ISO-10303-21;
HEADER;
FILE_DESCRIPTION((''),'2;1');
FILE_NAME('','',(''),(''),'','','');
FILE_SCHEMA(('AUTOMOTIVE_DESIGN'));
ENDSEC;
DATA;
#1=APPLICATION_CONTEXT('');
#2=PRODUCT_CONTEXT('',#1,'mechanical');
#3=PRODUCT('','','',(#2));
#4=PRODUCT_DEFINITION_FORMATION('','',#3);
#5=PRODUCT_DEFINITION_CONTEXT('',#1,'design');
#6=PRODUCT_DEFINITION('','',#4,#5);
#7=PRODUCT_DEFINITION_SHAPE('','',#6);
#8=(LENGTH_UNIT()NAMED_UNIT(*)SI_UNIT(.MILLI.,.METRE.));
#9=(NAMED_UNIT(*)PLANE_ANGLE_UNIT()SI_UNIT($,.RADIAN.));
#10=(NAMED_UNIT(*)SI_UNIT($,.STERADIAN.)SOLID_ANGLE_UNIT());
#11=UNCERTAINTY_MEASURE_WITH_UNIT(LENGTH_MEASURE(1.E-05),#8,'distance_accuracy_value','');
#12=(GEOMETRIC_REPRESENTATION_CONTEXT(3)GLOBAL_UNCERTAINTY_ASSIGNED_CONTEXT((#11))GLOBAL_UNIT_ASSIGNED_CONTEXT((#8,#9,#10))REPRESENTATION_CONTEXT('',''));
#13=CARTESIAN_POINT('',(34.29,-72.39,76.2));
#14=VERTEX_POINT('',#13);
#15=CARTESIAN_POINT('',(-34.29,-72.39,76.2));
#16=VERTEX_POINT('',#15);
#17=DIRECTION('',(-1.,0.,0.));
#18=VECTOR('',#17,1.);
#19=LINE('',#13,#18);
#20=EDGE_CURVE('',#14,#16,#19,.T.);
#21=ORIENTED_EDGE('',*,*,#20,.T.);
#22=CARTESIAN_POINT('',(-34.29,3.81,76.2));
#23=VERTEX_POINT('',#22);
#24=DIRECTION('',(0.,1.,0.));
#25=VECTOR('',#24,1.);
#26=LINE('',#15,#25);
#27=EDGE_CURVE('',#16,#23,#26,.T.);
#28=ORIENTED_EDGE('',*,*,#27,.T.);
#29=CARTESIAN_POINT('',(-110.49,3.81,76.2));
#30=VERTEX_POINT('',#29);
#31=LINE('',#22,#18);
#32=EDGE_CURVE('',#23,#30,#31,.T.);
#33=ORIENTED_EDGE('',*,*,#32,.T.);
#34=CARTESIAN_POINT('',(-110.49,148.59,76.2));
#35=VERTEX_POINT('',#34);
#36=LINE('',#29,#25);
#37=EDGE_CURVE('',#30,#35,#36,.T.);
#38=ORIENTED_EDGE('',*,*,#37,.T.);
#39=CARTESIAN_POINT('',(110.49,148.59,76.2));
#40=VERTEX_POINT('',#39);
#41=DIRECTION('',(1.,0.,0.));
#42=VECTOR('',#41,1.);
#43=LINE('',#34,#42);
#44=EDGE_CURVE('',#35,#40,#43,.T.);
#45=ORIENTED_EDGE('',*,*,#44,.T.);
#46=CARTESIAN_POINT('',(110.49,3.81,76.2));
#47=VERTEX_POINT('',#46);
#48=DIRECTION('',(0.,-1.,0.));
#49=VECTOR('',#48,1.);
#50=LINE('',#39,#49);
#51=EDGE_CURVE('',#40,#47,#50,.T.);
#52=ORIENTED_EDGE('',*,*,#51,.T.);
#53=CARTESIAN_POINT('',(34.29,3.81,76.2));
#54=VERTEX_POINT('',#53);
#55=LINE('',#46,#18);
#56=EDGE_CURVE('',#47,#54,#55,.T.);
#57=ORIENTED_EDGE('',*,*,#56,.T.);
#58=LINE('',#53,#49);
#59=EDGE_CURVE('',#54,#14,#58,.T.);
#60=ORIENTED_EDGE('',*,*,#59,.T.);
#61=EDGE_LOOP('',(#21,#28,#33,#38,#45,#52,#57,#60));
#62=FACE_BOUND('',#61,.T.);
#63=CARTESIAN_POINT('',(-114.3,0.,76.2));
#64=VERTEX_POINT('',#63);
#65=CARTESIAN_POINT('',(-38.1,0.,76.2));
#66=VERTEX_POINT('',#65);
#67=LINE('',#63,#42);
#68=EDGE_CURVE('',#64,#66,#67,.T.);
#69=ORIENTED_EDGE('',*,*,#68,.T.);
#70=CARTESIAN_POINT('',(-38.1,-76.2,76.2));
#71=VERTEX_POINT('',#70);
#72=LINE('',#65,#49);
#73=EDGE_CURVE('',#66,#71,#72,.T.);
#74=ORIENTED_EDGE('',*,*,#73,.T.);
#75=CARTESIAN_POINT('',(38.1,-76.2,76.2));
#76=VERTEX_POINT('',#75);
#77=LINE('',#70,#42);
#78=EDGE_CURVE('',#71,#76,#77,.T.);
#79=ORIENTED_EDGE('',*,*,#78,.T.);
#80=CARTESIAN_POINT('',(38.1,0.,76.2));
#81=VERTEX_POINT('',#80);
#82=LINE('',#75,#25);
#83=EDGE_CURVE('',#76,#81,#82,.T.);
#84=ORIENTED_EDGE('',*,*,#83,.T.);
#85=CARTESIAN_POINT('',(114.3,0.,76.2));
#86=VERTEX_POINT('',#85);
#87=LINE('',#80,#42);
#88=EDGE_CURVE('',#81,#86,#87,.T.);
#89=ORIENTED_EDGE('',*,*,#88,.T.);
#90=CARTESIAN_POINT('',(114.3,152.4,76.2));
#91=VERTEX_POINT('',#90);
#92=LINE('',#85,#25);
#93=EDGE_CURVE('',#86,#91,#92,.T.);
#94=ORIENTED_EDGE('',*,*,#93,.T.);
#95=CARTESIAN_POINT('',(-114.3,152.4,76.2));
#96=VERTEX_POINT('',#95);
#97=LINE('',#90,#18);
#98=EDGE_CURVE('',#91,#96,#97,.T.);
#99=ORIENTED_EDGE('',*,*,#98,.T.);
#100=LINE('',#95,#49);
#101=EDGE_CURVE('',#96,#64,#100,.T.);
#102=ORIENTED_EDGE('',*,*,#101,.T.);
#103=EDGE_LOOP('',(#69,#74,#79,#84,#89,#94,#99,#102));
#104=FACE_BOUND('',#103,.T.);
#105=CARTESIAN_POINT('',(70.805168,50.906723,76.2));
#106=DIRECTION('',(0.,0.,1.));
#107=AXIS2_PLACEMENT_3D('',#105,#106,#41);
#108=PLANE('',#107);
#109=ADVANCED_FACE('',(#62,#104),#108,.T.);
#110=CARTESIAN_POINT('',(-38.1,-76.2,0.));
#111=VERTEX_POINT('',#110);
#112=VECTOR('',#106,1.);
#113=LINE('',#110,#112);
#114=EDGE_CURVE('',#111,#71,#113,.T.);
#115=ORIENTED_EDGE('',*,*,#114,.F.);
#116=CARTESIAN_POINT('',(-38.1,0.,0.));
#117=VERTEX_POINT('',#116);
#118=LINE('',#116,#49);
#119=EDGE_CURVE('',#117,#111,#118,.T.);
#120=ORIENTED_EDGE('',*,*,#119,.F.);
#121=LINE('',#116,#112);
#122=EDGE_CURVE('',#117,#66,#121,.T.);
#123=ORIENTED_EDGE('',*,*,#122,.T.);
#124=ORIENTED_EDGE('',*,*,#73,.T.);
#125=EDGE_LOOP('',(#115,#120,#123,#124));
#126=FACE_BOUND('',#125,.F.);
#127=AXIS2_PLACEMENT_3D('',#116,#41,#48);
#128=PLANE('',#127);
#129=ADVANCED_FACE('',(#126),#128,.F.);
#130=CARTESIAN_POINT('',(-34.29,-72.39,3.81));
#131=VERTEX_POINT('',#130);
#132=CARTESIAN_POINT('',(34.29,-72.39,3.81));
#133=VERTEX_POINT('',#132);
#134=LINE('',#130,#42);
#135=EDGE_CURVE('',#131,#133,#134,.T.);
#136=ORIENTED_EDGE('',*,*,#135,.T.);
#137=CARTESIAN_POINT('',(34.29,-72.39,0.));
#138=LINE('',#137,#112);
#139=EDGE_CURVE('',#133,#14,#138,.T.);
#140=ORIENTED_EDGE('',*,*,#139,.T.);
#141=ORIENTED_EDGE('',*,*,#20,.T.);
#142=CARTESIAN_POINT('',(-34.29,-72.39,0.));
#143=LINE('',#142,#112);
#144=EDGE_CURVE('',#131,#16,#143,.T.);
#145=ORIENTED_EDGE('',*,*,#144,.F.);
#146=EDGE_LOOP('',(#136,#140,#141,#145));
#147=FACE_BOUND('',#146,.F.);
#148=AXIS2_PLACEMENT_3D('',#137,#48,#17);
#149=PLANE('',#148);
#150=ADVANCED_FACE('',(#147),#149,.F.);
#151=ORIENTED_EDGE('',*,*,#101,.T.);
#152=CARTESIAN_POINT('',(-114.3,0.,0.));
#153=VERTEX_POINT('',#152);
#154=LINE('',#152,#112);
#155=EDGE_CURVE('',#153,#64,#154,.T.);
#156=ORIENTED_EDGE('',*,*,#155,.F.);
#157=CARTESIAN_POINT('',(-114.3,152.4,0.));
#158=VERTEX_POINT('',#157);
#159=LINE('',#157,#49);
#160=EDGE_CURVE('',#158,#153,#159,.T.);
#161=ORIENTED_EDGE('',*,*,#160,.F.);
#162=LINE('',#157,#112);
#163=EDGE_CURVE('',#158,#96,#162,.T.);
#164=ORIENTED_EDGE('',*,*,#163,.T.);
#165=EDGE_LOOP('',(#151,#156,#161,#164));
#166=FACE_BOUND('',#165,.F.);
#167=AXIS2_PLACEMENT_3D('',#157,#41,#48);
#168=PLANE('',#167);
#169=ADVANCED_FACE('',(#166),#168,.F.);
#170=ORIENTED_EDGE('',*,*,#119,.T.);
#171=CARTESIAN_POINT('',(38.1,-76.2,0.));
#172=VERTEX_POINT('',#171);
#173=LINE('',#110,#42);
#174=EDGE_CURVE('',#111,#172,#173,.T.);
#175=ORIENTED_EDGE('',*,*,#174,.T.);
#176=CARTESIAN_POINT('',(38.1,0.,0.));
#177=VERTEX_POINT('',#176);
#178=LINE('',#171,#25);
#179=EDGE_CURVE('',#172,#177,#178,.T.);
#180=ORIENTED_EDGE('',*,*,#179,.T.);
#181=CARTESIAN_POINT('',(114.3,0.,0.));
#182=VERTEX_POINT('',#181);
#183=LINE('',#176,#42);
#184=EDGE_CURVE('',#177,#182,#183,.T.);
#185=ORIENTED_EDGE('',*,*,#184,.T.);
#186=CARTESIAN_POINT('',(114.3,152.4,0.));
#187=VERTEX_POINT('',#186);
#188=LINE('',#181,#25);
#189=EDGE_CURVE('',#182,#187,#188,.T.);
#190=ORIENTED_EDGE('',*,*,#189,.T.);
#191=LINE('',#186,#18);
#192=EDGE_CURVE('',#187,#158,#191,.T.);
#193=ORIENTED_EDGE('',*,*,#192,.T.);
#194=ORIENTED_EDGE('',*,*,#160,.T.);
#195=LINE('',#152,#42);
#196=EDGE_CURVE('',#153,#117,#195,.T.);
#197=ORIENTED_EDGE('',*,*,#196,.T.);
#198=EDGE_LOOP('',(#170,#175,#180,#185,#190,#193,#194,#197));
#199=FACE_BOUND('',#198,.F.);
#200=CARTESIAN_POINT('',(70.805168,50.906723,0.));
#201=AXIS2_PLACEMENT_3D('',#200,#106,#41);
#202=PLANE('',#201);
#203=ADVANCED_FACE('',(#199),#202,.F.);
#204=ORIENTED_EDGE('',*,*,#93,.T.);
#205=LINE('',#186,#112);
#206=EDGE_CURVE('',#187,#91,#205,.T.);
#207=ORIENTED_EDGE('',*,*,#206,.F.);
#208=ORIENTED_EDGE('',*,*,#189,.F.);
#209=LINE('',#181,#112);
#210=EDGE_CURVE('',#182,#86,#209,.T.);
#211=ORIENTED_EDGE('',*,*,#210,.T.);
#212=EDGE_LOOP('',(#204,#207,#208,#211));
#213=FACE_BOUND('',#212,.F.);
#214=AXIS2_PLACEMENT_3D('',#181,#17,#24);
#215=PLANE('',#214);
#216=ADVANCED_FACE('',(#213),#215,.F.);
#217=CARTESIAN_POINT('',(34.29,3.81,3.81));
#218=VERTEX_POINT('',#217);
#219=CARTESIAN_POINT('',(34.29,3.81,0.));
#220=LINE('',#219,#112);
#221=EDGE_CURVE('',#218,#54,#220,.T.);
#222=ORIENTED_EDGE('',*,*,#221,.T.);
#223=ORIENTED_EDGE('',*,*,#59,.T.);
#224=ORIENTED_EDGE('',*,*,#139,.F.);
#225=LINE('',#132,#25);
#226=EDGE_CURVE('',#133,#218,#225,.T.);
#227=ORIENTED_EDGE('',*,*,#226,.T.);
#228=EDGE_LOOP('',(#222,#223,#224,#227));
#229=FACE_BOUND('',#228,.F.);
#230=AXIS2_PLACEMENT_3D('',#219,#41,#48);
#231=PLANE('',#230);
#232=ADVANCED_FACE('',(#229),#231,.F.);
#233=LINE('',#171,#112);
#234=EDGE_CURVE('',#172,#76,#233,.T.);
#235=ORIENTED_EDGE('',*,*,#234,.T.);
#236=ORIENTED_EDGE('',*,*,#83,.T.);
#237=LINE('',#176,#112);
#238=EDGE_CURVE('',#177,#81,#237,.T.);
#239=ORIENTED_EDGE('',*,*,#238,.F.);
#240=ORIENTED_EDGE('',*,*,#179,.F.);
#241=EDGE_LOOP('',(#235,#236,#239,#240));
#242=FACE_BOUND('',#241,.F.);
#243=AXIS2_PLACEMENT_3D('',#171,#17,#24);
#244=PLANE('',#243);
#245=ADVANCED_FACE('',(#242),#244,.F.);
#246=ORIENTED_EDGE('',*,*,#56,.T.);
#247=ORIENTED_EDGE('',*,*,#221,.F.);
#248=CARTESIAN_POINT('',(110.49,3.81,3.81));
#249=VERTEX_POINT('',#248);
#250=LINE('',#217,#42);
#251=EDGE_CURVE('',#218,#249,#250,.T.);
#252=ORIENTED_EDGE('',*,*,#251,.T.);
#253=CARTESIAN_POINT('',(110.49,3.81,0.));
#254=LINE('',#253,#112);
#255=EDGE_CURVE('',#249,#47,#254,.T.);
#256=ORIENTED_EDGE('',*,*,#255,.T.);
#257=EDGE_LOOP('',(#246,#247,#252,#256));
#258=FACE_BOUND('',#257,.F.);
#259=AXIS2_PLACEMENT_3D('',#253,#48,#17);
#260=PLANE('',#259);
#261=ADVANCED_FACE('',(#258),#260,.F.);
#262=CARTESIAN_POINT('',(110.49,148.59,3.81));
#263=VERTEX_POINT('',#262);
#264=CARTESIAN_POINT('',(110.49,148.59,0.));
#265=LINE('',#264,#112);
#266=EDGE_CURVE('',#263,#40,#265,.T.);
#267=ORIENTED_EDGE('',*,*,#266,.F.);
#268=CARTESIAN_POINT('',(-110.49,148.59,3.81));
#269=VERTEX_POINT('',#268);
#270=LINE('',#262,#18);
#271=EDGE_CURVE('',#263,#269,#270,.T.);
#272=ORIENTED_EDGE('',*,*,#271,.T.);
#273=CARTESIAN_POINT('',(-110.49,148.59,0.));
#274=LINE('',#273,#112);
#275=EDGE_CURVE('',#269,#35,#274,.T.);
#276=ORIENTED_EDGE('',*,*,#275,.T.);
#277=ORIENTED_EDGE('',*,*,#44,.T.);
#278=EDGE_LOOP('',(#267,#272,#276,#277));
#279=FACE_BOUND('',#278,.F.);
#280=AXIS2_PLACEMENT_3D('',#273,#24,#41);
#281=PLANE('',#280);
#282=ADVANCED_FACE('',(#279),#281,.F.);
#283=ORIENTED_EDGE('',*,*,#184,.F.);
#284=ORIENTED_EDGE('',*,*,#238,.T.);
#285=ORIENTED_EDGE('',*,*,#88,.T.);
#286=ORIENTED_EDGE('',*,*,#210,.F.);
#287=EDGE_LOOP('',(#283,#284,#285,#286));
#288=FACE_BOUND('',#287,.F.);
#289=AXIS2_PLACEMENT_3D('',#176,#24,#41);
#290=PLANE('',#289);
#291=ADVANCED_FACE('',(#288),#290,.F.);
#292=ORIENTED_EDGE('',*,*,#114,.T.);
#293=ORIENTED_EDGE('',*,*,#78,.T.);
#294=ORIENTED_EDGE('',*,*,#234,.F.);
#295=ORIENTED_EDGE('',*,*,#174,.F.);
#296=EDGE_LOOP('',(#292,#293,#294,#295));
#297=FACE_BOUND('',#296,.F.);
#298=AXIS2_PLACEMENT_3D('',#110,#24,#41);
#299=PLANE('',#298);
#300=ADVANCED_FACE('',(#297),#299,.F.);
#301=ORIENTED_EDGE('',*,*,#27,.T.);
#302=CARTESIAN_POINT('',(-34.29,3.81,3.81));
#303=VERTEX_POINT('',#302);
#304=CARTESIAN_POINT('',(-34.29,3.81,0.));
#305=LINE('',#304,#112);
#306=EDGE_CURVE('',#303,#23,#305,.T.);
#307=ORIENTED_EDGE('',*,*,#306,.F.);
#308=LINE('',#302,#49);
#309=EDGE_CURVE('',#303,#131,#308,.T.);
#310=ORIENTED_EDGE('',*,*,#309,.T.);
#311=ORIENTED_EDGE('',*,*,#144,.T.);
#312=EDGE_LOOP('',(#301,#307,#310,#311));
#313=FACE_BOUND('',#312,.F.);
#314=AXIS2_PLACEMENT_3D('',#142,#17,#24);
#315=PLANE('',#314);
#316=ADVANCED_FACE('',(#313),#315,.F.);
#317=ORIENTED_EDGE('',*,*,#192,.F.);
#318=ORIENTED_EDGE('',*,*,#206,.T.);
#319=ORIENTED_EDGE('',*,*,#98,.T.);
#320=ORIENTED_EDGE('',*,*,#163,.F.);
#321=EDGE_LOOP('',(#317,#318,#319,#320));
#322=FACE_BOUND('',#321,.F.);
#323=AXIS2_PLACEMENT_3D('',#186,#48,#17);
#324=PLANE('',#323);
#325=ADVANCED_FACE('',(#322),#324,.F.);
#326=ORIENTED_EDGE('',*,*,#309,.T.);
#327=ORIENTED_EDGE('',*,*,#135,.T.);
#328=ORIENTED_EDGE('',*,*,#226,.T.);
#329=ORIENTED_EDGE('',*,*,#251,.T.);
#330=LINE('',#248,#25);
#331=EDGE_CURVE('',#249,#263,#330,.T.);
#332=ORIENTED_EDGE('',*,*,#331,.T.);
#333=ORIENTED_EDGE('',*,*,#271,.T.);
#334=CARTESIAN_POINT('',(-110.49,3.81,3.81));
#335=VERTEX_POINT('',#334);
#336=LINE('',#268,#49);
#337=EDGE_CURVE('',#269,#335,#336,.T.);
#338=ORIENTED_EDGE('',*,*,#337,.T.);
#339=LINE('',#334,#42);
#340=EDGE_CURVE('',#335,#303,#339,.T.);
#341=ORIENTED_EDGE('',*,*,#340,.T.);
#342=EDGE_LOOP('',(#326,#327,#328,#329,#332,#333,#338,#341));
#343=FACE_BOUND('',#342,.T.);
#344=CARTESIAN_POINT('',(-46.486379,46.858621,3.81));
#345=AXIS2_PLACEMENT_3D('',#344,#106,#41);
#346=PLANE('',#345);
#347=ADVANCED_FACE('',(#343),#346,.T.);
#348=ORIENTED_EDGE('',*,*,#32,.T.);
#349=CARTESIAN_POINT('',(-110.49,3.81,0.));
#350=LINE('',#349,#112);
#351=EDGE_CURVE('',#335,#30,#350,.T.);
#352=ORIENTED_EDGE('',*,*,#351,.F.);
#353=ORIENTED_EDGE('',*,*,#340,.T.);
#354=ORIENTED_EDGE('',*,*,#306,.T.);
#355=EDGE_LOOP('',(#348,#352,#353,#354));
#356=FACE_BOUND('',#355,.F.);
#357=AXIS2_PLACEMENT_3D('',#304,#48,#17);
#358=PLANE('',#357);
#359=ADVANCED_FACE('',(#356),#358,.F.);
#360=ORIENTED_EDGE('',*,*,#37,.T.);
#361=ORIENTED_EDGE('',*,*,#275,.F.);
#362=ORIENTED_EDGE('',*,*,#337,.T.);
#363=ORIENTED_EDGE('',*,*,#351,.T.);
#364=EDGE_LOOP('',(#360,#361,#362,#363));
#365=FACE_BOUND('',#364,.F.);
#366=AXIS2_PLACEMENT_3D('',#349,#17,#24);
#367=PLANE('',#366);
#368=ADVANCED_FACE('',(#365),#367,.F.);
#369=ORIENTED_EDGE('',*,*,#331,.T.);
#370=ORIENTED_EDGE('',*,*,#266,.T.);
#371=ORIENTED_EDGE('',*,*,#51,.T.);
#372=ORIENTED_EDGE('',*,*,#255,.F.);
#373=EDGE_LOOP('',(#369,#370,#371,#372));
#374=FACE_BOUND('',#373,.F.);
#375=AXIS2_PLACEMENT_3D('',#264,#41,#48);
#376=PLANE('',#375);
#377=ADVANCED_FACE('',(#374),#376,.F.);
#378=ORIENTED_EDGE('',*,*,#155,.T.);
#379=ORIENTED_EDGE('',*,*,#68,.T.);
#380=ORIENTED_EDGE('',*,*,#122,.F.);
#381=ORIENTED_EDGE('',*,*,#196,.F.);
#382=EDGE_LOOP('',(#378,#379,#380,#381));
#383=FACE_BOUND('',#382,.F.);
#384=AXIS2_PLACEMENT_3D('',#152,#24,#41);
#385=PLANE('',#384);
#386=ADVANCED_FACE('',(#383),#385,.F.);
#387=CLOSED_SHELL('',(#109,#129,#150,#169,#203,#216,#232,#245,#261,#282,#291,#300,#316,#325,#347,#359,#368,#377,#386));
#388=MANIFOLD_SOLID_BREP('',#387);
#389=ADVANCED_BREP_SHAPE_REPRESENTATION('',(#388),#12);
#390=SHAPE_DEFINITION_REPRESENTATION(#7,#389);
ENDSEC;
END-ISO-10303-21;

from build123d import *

# Parameters (mm, degrees)
F1_DEPTH = 3.81
F2_DEPTH = 76.2


with BuildPart() as f1:
    # F0 (on Top) → F1 (new body)
    with BuildSketch(Plane.XY):
        Polygon((0, -72.39), (0, 148.59), (-110.49, 148.59), (-110.49, 3.81), (-34.29, 3.81), (-34.29, -72.39), align=None)
        Polygon((110.49, 148.59), (0, 148.59), (0, -72.39), (34.29, -72.39), (34.29, 3.81), (110.49, 3.81), align=None)
    extrude(amount=F1_DEPTH)

    # F0 (on Top) → F2 (join)
    with BuildSketch(Plane.XY):
        Polygon((114.3, 152.4), (0, 152.4), (0, 148.59), (110.49, 148.59), (110.49, 3.81), (34.29, 3.81), (34.29, -72.39), (0, -72.39), (0, -76.2), (38.1, -76.2), (38.1, 0), (114.3, 0), align=None)
        Polygon((0, 148.59), (0, 152.4), (-114.3, 152.4), (-114.3, 0), (-38.1, 0), (-38.1, -76.2), (0, -76.2), (0, -72.39), (-34.29, -72.39), (-34.29, 3.81), (-110.49, 3.81), (-110.49, 148.59), align=None)
    extrude(amount=F2_DEPTH)


solid = f1.part
